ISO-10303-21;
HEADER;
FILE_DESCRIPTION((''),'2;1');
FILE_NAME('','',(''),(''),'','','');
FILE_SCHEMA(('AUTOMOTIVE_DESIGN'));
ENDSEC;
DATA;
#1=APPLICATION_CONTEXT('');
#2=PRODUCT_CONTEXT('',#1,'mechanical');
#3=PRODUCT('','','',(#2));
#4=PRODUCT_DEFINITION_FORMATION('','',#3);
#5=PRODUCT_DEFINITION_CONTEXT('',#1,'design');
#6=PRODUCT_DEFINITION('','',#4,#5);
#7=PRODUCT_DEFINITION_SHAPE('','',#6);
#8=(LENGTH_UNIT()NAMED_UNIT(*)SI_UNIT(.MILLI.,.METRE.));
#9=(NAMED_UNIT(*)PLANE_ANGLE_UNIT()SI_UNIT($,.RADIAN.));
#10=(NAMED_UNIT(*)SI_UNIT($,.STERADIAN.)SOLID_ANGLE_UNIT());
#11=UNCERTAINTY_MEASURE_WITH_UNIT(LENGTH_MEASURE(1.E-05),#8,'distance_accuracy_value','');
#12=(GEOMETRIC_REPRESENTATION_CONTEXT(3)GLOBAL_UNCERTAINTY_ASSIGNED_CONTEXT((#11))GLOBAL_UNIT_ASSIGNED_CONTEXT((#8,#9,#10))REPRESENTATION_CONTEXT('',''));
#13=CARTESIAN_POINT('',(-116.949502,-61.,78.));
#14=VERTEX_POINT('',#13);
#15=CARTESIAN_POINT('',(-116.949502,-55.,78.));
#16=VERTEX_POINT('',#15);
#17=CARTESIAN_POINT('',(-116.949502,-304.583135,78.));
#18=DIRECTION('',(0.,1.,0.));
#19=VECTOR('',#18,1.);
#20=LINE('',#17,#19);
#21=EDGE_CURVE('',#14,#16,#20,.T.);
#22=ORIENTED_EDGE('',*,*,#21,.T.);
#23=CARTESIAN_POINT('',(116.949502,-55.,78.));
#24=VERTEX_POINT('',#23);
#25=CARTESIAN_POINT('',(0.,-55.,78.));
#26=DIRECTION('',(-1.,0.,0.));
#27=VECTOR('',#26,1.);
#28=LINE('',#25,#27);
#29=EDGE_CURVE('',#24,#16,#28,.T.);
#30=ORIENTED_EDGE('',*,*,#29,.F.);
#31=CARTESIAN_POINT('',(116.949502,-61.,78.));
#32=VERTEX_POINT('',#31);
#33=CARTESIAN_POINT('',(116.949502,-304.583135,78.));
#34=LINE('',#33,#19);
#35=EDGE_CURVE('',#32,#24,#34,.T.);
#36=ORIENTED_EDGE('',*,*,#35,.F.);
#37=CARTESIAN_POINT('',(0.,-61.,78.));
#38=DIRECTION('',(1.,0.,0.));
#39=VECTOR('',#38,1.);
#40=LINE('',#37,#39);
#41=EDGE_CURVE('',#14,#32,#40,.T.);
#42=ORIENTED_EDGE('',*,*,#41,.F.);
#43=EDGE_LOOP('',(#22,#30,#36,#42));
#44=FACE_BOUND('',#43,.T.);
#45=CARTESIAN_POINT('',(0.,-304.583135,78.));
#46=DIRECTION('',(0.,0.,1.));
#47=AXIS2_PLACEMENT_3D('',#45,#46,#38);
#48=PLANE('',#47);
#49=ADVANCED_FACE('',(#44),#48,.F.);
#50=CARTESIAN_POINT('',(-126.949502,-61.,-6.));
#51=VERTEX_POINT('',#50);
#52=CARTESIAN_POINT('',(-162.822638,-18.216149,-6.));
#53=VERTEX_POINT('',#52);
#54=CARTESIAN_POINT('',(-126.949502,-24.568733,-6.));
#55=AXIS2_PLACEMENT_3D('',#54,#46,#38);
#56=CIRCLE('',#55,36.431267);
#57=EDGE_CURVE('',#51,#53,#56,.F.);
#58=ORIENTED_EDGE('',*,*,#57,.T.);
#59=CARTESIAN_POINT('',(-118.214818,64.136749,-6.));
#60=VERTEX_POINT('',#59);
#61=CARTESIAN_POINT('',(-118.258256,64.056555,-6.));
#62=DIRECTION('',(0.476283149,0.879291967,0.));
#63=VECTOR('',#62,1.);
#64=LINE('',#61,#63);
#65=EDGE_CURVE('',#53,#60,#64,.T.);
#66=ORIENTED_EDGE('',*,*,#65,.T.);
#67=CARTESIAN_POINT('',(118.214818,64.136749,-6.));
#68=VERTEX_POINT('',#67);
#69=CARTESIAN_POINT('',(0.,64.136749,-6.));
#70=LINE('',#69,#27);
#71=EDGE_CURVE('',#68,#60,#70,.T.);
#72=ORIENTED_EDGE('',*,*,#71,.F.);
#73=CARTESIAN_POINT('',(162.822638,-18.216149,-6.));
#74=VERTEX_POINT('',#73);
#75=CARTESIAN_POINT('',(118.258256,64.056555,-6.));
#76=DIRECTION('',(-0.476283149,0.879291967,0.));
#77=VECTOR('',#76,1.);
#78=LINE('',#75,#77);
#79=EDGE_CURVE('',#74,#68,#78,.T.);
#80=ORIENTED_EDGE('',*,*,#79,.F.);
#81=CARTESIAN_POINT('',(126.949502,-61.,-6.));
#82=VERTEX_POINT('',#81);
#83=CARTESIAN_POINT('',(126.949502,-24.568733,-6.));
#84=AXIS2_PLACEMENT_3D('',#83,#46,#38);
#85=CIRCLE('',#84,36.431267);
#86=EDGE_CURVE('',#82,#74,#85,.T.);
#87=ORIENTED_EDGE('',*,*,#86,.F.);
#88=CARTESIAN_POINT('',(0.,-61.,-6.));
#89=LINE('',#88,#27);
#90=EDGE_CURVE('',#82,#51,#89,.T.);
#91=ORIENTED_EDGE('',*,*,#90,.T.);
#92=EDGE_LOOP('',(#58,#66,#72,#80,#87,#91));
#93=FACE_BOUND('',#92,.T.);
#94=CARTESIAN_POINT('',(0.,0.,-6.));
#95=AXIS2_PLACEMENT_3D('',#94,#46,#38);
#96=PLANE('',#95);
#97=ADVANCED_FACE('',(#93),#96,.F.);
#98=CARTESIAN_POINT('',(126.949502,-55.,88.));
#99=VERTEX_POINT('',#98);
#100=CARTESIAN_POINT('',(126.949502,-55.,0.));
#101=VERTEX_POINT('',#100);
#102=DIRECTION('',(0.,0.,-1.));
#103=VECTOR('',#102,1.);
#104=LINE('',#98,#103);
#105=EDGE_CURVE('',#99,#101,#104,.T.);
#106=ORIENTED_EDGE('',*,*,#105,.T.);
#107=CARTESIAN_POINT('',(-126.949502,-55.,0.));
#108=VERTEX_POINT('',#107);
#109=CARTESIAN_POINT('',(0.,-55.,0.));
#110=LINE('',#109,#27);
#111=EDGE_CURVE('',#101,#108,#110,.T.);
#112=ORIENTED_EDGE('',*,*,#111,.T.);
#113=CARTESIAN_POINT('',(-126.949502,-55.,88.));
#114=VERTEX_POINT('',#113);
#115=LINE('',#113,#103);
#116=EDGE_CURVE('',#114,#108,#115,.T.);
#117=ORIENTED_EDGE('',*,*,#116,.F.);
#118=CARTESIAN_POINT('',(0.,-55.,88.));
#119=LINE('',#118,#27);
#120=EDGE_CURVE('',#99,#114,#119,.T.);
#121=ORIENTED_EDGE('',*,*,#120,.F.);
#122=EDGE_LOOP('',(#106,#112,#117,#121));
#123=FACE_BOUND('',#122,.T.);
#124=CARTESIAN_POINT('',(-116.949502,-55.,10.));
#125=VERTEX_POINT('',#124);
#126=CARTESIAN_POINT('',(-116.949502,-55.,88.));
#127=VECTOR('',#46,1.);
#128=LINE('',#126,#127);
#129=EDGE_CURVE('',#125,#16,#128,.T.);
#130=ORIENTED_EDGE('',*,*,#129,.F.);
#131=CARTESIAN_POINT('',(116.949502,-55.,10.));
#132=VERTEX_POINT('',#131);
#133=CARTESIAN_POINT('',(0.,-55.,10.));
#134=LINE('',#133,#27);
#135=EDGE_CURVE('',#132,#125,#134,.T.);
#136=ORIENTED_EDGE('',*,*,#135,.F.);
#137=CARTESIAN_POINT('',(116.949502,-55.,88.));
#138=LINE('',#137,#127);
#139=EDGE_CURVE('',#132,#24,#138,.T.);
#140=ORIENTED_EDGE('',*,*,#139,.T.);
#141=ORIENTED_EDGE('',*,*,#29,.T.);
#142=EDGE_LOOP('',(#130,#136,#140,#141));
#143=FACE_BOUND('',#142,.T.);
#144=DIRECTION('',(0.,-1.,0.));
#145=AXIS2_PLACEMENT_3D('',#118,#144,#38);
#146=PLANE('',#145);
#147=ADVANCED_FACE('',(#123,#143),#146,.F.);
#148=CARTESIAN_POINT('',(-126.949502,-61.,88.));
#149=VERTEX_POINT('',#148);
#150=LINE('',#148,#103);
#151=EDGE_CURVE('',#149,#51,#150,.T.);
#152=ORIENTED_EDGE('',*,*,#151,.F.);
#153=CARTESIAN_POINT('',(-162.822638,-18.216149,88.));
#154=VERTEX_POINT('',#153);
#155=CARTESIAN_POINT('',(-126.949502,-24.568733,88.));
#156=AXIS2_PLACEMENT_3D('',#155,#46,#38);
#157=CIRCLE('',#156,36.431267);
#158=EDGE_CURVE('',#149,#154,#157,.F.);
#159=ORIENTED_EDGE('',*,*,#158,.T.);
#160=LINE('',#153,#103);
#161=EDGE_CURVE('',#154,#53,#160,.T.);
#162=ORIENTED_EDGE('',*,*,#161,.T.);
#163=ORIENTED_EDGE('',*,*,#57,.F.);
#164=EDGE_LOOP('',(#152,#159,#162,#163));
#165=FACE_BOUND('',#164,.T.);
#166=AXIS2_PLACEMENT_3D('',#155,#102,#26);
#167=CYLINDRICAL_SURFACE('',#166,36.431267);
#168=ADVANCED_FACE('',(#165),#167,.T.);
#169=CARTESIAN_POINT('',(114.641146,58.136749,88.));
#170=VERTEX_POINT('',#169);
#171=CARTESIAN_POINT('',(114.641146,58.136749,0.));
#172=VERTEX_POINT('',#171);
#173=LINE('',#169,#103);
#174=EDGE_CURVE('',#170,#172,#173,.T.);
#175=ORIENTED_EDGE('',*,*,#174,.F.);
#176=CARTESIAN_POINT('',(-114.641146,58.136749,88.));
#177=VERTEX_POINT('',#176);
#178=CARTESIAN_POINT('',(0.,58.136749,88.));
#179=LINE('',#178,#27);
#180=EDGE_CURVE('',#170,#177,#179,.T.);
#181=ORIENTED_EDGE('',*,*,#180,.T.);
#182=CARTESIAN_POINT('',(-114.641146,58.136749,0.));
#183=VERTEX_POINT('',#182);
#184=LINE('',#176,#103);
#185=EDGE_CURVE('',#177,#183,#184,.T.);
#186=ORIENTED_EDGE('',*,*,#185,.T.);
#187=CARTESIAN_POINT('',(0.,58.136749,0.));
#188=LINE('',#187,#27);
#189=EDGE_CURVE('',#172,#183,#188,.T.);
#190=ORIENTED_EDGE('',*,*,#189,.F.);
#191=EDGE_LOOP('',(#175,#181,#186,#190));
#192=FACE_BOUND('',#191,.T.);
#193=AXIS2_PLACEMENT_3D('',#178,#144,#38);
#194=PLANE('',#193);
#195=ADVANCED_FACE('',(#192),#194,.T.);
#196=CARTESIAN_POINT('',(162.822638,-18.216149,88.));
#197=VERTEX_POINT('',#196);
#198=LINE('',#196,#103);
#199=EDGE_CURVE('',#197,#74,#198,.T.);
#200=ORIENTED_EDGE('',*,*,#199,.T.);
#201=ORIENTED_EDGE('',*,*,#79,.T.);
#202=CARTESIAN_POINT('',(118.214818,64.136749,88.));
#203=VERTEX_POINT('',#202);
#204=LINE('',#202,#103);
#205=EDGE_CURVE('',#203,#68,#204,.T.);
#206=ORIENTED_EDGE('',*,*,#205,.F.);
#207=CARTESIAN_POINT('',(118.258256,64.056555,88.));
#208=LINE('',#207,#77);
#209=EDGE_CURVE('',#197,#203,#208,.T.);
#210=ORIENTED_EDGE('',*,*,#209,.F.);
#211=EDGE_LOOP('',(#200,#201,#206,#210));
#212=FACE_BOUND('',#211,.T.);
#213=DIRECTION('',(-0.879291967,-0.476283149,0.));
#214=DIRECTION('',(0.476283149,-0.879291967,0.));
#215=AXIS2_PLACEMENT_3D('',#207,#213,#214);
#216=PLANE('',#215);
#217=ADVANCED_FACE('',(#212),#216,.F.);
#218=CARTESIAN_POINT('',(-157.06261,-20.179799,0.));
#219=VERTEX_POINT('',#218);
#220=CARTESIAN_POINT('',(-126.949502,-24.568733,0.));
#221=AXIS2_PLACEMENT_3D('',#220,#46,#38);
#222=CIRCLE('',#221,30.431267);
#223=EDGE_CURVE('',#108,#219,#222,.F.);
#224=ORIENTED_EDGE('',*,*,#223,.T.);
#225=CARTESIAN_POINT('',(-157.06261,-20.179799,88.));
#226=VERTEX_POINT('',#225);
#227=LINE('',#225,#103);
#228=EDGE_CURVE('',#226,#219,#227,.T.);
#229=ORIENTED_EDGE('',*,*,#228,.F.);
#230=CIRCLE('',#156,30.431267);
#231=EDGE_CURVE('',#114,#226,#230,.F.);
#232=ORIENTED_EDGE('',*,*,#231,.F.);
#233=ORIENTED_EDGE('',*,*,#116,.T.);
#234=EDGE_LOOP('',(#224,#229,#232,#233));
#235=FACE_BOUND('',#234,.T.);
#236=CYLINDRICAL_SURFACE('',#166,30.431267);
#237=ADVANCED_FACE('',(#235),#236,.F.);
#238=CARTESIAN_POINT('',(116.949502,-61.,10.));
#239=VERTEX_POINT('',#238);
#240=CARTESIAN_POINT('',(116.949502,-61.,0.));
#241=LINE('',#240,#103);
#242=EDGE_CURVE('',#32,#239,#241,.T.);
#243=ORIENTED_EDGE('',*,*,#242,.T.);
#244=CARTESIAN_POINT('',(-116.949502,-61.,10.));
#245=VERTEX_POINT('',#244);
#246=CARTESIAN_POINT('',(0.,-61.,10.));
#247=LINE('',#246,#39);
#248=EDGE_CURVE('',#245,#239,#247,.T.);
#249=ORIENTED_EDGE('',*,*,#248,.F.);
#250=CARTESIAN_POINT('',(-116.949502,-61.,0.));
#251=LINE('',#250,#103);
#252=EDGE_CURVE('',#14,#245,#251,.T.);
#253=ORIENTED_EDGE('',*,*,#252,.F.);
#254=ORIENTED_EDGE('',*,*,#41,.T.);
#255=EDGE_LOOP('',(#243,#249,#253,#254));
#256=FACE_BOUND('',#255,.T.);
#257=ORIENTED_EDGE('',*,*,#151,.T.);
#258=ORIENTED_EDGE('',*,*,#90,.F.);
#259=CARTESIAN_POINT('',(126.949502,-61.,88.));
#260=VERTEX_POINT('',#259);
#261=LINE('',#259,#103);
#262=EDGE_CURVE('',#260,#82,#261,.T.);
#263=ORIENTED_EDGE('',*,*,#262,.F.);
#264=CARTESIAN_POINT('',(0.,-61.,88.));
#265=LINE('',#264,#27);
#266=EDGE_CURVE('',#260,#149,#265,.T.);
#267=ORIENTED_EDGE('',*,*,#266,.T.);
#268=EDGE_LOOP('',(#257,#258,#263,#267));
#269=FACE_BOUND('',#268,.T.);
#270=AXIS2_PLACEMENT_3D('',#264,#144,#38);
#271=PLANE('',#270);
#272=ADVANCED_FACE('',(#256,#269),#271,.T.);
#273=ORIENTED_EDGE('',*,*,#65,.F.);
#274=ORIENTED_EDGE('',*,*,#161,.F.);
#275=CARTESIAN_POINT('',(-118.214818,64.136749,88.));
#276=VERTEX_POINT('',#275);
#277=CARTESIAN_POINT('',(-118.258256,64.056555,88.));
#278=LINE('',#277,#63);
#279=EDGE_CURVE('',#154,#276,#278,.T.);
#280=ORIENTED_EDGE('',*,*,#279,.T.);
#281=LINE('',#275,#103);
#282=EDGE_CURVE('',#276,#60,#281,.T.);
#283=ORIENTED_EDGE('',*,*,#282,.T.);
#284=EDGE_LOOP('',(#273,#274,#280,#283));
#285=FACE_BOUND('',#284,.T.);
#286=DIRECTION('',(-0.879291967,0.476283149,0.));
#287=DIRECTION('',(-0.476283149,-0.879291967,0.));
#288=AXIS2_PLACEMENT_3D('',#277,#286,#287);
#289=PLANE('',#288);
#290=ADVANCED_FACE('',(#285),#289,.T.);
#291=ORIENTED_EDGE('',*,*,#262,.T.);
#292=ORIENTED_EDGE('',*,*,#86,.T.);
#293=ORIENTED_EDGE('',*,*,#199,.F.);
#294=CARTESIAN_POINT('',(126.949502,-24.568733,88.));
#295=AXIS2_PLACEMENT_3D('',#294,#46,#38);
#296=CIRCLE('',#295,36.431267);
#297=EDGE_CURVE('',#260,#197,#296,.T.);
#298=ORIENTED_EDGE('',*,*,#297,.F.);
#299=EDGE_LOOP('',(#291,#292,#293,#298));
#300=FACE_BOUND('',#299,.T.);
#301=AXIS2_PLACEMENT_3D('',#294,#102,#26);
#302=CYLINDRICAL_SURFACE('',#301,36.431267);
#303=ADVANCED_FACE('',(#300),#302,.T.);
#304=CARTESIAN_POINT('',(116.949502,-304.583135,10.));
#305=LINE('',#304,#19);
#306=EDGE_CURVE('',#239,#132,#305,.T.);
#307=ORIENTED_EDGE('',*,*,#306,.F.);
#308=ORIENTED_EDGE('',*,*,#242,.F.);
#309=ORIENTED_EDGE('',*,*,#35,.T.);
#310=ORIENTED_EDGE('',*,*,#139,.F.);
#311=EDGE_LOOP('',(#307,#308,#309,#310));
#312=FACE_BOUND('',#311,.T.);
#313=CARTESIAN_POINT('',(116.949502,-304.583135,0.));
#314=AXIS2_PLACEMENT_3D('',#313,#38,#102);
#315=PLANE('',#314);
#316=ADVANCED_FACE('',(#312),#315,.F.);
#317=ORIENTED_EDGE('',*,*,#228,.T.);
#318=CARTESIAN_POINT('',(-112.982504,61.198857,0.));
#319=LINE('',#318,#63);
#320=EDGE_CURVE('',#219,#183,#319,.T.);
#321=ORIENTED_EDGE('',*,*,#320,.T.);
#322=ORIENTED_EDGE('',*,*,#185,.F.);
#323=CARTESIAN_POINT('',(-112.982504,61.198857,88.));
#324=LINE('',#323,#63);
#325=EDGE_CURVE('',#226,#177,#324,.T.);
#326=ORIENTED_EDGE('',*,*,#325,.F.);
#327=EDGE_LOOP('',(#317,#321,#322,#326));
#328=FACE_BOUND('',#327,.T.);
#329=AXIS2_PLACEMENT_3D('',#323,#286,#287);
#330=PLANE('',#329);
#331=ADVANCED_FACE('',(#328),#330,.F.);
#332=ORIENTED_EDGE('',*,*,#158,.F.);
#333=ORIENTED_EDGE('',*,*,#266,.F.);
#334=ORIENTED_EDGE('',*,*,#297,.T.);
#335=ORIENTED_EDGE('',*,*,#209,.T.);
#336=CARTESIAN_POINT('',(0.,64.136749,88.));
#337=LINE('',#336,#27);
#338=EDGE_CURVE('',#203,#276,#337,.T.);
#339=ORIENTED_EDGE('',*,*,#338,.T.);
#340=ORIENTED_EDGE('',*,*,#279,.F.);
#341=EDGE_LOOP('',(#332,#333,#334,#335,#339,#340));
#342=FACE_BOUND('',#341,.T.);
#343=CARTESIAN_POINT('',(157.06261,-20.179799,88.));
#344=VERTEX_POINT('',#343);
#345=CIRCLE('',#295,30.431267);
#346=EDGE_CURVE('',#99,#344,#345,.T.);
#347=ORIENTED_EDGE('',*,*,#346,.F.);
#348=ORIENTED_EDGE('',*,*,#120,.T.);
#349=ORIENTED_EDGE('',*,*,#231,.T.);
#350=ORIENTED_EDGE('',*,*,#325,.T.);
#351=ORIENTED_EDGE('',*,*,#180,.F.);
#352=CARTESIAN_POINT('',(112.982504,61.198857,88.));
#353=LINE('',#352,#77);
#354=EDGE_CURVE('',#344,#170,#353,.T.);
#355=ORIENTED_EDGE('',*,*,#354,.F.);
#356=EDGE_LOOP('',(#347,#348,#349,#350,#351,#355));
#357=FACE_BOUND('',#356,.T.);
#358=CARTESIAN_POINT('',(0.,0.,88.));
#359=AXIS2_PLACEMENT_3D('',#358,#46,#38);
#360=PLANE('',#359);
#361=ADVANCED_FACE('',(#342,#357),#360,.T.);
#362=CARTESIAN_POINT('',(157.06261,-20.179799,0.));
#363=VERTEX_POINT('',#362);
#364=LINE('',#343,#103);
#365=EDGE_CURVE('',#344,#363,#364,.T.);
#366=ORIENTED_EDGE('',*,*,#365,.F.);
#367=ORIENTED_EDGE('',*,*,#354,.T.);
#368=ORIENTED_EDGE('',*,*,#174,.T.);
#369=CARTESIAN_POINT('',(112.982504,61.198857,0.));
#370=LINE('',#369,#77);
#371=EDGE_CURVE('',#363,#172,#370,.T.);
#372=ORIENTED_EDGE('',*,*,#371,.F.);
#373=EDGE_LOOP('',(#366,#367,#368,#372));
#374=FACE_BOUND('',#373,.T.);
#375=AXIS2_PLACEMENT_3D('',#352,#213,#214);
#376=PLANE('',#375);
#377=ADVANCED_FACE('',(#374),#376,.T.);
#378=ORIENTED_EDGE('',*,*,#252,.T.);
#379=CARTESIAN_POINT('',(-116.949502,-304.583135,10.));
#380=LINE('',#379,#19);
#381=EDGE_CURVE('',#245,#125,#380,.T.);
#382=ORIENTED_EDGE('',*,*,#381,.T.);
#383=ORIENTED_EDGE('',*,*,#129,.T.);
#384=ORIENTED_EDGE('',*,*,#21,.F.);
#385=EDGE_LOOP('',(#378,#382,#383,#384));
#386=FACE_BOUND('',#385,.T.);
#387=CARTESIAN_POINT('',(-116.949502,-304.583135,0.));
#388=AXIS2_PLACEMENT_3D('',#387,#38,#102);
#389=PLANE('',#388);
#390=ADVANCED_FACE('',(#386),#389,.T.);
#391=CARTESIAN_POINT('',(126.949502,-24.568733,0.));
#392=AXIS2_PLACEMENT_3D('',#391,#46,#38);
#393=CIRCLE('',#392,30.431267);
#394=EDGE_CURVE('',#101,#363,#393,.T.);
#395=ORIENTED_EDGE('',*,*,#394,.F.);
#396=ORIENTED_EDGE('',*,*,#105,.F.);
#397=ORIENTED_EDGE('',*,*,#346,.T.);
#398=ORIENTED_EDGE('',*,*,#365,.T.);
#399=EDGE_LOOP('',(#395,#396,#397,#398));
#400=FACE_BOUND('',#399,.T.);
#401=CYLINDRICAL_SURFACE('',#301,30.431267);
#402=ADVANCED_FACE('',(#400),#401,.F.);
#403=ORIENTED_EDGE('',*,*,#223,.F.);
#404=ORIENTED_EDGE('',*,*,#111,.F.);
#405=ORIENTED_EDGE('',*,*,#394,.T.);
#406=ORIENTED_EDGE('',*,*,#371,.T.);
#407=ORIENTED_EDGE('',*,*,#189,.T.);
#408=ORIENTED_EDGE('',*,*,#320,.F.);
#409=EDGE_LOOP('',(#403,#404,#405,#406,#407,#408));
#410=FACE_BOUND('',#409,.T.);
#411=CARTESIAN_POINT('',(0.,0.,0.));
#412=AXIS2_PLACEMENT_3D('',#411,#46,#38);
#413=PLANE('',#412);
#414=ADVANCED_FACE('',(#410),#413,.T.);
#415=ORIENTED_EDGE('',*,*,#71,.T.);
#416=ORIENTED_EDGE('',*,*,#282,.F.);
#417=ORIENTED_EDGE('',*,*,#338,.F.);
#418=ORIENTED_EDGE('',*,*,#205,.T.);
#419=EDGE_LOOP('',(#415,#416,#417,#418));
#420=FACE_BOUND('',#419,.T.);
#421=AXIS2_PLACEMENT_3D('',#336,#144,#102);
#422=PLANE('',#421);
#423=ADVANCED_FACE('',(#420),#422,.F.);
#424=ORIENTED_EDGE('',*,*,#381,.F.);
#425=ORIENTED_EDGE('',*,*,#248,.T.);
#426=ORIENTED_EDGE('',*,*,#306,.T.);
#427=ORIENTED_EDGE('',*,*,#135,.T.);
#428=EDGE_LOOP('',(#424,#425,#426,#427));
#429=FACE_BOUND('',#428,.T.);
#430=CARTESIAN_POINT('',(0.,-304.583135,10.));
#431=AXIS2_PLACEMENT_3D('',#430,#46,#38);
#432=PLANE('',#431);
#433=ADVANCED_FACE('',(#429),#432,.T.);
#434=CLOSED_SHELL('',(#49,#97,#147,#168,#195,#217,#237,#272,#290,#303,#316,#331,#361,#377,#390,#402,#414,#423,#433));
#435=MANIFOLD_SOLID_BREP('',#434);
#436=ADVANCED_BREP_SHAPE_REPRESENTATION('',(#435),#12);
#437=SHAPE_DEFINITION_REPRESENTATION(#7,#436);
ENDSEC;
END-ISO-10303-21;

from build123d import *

# Parameters (mm, degrees)
BOSS_EXTRUDE1_DEPTH = 88
SKETCH3_W           = 233.89900304
SKETCH3_H           = 68
CUT_EXTRUDE1_DEPTH  = 15
BOSS_EXTRUDE2_DEPTH = 6


with BuildPart() as part:
    # Sketch1 → Boss-Extrude1 (new body)
    with BuildSketch(Plane.XY):
        with BuildLine():
            Line((118.214818276, 64.136748505), (-118.214818276, 64.136748505))
            Line((-118.214818276, 64.136748505), (-162.822637659, -18.216148816))
            ThreePointArc((-162.822637659, -18.216148816), (-154.866072847, -47.976045164), (-126.94950152, -61))
            Line((-126.94950152, -61), (126.94950152, -61))
            ThreePointArc((126.94950152, -61), (154.866072847, -47.976045164), (162.822637659, -18.216148816))
            Line((162.822637659, -18.216148816), (118.214818276, 64.136748505))
        make_face()
        with BuildLine():
            Line((114.641146244, 58.136748505), (-114.641146244, 58.136748505))
            Line((-114.641146244, 58.136748505), (-157.062609578, -20.179799188))
            ThreePointArc((-157.062609578, -20.179799188), (-149.967134226, -44.474777247), (-126.94950152, -55))
            Line((-126.94950152, -55), (126.94950152, -55))
            ThreePointArc((126.94950152, -55), (149.967134226, -44.474777247), (157.062609578, -20.179799188))
            Line((157.062609578, -20.179799188), (114.641146244, 58.136748505))
        make_face(mode=Mode.SUBTRACT)
    extrude(amount=BOSS_EXTRUDE1_DEPTH)

    # Sketch3 → Cut-Extrude1 (cut)
    with BuildSketch(Plane.XZ.offset(46)):
        with Locations((0, 44)):
            Rectangle(SKETCH3_W, SKETCH3_H)
    extrude(amount=CUT_EXTRUDE1_DEPTH, mode=Mode.SUBTRACT)

    # Sketch1<12> → Boss-Extrude2 (add)
    with BuildSketch(Plane.XY):
        with BuildLine():
            Line((162.822637659, -18.216148816), (118.214818276, 64.136748505))
            Line((118.214818276, 64.136748505), (-118.214818276, 64.136748505))
            Line((-118.214818276, 64.136748505), (-162.822637659, -18.216148816))
            ThreePointArc((-162.822637659, -18.216148816), (-154.866072847, -47.976045164), (-126.94950152, -61))
            Line((-126.94950152, -61), (126.94950152, -61))
            ThreePointArc((126.94950152, -61), (154.866072847, -47.976045164), (162.822637659, -18.216148816))
        make_face()
    extrude(amount=-BOSS_EXTRUDE2_DEPTH)


solid = part.part
